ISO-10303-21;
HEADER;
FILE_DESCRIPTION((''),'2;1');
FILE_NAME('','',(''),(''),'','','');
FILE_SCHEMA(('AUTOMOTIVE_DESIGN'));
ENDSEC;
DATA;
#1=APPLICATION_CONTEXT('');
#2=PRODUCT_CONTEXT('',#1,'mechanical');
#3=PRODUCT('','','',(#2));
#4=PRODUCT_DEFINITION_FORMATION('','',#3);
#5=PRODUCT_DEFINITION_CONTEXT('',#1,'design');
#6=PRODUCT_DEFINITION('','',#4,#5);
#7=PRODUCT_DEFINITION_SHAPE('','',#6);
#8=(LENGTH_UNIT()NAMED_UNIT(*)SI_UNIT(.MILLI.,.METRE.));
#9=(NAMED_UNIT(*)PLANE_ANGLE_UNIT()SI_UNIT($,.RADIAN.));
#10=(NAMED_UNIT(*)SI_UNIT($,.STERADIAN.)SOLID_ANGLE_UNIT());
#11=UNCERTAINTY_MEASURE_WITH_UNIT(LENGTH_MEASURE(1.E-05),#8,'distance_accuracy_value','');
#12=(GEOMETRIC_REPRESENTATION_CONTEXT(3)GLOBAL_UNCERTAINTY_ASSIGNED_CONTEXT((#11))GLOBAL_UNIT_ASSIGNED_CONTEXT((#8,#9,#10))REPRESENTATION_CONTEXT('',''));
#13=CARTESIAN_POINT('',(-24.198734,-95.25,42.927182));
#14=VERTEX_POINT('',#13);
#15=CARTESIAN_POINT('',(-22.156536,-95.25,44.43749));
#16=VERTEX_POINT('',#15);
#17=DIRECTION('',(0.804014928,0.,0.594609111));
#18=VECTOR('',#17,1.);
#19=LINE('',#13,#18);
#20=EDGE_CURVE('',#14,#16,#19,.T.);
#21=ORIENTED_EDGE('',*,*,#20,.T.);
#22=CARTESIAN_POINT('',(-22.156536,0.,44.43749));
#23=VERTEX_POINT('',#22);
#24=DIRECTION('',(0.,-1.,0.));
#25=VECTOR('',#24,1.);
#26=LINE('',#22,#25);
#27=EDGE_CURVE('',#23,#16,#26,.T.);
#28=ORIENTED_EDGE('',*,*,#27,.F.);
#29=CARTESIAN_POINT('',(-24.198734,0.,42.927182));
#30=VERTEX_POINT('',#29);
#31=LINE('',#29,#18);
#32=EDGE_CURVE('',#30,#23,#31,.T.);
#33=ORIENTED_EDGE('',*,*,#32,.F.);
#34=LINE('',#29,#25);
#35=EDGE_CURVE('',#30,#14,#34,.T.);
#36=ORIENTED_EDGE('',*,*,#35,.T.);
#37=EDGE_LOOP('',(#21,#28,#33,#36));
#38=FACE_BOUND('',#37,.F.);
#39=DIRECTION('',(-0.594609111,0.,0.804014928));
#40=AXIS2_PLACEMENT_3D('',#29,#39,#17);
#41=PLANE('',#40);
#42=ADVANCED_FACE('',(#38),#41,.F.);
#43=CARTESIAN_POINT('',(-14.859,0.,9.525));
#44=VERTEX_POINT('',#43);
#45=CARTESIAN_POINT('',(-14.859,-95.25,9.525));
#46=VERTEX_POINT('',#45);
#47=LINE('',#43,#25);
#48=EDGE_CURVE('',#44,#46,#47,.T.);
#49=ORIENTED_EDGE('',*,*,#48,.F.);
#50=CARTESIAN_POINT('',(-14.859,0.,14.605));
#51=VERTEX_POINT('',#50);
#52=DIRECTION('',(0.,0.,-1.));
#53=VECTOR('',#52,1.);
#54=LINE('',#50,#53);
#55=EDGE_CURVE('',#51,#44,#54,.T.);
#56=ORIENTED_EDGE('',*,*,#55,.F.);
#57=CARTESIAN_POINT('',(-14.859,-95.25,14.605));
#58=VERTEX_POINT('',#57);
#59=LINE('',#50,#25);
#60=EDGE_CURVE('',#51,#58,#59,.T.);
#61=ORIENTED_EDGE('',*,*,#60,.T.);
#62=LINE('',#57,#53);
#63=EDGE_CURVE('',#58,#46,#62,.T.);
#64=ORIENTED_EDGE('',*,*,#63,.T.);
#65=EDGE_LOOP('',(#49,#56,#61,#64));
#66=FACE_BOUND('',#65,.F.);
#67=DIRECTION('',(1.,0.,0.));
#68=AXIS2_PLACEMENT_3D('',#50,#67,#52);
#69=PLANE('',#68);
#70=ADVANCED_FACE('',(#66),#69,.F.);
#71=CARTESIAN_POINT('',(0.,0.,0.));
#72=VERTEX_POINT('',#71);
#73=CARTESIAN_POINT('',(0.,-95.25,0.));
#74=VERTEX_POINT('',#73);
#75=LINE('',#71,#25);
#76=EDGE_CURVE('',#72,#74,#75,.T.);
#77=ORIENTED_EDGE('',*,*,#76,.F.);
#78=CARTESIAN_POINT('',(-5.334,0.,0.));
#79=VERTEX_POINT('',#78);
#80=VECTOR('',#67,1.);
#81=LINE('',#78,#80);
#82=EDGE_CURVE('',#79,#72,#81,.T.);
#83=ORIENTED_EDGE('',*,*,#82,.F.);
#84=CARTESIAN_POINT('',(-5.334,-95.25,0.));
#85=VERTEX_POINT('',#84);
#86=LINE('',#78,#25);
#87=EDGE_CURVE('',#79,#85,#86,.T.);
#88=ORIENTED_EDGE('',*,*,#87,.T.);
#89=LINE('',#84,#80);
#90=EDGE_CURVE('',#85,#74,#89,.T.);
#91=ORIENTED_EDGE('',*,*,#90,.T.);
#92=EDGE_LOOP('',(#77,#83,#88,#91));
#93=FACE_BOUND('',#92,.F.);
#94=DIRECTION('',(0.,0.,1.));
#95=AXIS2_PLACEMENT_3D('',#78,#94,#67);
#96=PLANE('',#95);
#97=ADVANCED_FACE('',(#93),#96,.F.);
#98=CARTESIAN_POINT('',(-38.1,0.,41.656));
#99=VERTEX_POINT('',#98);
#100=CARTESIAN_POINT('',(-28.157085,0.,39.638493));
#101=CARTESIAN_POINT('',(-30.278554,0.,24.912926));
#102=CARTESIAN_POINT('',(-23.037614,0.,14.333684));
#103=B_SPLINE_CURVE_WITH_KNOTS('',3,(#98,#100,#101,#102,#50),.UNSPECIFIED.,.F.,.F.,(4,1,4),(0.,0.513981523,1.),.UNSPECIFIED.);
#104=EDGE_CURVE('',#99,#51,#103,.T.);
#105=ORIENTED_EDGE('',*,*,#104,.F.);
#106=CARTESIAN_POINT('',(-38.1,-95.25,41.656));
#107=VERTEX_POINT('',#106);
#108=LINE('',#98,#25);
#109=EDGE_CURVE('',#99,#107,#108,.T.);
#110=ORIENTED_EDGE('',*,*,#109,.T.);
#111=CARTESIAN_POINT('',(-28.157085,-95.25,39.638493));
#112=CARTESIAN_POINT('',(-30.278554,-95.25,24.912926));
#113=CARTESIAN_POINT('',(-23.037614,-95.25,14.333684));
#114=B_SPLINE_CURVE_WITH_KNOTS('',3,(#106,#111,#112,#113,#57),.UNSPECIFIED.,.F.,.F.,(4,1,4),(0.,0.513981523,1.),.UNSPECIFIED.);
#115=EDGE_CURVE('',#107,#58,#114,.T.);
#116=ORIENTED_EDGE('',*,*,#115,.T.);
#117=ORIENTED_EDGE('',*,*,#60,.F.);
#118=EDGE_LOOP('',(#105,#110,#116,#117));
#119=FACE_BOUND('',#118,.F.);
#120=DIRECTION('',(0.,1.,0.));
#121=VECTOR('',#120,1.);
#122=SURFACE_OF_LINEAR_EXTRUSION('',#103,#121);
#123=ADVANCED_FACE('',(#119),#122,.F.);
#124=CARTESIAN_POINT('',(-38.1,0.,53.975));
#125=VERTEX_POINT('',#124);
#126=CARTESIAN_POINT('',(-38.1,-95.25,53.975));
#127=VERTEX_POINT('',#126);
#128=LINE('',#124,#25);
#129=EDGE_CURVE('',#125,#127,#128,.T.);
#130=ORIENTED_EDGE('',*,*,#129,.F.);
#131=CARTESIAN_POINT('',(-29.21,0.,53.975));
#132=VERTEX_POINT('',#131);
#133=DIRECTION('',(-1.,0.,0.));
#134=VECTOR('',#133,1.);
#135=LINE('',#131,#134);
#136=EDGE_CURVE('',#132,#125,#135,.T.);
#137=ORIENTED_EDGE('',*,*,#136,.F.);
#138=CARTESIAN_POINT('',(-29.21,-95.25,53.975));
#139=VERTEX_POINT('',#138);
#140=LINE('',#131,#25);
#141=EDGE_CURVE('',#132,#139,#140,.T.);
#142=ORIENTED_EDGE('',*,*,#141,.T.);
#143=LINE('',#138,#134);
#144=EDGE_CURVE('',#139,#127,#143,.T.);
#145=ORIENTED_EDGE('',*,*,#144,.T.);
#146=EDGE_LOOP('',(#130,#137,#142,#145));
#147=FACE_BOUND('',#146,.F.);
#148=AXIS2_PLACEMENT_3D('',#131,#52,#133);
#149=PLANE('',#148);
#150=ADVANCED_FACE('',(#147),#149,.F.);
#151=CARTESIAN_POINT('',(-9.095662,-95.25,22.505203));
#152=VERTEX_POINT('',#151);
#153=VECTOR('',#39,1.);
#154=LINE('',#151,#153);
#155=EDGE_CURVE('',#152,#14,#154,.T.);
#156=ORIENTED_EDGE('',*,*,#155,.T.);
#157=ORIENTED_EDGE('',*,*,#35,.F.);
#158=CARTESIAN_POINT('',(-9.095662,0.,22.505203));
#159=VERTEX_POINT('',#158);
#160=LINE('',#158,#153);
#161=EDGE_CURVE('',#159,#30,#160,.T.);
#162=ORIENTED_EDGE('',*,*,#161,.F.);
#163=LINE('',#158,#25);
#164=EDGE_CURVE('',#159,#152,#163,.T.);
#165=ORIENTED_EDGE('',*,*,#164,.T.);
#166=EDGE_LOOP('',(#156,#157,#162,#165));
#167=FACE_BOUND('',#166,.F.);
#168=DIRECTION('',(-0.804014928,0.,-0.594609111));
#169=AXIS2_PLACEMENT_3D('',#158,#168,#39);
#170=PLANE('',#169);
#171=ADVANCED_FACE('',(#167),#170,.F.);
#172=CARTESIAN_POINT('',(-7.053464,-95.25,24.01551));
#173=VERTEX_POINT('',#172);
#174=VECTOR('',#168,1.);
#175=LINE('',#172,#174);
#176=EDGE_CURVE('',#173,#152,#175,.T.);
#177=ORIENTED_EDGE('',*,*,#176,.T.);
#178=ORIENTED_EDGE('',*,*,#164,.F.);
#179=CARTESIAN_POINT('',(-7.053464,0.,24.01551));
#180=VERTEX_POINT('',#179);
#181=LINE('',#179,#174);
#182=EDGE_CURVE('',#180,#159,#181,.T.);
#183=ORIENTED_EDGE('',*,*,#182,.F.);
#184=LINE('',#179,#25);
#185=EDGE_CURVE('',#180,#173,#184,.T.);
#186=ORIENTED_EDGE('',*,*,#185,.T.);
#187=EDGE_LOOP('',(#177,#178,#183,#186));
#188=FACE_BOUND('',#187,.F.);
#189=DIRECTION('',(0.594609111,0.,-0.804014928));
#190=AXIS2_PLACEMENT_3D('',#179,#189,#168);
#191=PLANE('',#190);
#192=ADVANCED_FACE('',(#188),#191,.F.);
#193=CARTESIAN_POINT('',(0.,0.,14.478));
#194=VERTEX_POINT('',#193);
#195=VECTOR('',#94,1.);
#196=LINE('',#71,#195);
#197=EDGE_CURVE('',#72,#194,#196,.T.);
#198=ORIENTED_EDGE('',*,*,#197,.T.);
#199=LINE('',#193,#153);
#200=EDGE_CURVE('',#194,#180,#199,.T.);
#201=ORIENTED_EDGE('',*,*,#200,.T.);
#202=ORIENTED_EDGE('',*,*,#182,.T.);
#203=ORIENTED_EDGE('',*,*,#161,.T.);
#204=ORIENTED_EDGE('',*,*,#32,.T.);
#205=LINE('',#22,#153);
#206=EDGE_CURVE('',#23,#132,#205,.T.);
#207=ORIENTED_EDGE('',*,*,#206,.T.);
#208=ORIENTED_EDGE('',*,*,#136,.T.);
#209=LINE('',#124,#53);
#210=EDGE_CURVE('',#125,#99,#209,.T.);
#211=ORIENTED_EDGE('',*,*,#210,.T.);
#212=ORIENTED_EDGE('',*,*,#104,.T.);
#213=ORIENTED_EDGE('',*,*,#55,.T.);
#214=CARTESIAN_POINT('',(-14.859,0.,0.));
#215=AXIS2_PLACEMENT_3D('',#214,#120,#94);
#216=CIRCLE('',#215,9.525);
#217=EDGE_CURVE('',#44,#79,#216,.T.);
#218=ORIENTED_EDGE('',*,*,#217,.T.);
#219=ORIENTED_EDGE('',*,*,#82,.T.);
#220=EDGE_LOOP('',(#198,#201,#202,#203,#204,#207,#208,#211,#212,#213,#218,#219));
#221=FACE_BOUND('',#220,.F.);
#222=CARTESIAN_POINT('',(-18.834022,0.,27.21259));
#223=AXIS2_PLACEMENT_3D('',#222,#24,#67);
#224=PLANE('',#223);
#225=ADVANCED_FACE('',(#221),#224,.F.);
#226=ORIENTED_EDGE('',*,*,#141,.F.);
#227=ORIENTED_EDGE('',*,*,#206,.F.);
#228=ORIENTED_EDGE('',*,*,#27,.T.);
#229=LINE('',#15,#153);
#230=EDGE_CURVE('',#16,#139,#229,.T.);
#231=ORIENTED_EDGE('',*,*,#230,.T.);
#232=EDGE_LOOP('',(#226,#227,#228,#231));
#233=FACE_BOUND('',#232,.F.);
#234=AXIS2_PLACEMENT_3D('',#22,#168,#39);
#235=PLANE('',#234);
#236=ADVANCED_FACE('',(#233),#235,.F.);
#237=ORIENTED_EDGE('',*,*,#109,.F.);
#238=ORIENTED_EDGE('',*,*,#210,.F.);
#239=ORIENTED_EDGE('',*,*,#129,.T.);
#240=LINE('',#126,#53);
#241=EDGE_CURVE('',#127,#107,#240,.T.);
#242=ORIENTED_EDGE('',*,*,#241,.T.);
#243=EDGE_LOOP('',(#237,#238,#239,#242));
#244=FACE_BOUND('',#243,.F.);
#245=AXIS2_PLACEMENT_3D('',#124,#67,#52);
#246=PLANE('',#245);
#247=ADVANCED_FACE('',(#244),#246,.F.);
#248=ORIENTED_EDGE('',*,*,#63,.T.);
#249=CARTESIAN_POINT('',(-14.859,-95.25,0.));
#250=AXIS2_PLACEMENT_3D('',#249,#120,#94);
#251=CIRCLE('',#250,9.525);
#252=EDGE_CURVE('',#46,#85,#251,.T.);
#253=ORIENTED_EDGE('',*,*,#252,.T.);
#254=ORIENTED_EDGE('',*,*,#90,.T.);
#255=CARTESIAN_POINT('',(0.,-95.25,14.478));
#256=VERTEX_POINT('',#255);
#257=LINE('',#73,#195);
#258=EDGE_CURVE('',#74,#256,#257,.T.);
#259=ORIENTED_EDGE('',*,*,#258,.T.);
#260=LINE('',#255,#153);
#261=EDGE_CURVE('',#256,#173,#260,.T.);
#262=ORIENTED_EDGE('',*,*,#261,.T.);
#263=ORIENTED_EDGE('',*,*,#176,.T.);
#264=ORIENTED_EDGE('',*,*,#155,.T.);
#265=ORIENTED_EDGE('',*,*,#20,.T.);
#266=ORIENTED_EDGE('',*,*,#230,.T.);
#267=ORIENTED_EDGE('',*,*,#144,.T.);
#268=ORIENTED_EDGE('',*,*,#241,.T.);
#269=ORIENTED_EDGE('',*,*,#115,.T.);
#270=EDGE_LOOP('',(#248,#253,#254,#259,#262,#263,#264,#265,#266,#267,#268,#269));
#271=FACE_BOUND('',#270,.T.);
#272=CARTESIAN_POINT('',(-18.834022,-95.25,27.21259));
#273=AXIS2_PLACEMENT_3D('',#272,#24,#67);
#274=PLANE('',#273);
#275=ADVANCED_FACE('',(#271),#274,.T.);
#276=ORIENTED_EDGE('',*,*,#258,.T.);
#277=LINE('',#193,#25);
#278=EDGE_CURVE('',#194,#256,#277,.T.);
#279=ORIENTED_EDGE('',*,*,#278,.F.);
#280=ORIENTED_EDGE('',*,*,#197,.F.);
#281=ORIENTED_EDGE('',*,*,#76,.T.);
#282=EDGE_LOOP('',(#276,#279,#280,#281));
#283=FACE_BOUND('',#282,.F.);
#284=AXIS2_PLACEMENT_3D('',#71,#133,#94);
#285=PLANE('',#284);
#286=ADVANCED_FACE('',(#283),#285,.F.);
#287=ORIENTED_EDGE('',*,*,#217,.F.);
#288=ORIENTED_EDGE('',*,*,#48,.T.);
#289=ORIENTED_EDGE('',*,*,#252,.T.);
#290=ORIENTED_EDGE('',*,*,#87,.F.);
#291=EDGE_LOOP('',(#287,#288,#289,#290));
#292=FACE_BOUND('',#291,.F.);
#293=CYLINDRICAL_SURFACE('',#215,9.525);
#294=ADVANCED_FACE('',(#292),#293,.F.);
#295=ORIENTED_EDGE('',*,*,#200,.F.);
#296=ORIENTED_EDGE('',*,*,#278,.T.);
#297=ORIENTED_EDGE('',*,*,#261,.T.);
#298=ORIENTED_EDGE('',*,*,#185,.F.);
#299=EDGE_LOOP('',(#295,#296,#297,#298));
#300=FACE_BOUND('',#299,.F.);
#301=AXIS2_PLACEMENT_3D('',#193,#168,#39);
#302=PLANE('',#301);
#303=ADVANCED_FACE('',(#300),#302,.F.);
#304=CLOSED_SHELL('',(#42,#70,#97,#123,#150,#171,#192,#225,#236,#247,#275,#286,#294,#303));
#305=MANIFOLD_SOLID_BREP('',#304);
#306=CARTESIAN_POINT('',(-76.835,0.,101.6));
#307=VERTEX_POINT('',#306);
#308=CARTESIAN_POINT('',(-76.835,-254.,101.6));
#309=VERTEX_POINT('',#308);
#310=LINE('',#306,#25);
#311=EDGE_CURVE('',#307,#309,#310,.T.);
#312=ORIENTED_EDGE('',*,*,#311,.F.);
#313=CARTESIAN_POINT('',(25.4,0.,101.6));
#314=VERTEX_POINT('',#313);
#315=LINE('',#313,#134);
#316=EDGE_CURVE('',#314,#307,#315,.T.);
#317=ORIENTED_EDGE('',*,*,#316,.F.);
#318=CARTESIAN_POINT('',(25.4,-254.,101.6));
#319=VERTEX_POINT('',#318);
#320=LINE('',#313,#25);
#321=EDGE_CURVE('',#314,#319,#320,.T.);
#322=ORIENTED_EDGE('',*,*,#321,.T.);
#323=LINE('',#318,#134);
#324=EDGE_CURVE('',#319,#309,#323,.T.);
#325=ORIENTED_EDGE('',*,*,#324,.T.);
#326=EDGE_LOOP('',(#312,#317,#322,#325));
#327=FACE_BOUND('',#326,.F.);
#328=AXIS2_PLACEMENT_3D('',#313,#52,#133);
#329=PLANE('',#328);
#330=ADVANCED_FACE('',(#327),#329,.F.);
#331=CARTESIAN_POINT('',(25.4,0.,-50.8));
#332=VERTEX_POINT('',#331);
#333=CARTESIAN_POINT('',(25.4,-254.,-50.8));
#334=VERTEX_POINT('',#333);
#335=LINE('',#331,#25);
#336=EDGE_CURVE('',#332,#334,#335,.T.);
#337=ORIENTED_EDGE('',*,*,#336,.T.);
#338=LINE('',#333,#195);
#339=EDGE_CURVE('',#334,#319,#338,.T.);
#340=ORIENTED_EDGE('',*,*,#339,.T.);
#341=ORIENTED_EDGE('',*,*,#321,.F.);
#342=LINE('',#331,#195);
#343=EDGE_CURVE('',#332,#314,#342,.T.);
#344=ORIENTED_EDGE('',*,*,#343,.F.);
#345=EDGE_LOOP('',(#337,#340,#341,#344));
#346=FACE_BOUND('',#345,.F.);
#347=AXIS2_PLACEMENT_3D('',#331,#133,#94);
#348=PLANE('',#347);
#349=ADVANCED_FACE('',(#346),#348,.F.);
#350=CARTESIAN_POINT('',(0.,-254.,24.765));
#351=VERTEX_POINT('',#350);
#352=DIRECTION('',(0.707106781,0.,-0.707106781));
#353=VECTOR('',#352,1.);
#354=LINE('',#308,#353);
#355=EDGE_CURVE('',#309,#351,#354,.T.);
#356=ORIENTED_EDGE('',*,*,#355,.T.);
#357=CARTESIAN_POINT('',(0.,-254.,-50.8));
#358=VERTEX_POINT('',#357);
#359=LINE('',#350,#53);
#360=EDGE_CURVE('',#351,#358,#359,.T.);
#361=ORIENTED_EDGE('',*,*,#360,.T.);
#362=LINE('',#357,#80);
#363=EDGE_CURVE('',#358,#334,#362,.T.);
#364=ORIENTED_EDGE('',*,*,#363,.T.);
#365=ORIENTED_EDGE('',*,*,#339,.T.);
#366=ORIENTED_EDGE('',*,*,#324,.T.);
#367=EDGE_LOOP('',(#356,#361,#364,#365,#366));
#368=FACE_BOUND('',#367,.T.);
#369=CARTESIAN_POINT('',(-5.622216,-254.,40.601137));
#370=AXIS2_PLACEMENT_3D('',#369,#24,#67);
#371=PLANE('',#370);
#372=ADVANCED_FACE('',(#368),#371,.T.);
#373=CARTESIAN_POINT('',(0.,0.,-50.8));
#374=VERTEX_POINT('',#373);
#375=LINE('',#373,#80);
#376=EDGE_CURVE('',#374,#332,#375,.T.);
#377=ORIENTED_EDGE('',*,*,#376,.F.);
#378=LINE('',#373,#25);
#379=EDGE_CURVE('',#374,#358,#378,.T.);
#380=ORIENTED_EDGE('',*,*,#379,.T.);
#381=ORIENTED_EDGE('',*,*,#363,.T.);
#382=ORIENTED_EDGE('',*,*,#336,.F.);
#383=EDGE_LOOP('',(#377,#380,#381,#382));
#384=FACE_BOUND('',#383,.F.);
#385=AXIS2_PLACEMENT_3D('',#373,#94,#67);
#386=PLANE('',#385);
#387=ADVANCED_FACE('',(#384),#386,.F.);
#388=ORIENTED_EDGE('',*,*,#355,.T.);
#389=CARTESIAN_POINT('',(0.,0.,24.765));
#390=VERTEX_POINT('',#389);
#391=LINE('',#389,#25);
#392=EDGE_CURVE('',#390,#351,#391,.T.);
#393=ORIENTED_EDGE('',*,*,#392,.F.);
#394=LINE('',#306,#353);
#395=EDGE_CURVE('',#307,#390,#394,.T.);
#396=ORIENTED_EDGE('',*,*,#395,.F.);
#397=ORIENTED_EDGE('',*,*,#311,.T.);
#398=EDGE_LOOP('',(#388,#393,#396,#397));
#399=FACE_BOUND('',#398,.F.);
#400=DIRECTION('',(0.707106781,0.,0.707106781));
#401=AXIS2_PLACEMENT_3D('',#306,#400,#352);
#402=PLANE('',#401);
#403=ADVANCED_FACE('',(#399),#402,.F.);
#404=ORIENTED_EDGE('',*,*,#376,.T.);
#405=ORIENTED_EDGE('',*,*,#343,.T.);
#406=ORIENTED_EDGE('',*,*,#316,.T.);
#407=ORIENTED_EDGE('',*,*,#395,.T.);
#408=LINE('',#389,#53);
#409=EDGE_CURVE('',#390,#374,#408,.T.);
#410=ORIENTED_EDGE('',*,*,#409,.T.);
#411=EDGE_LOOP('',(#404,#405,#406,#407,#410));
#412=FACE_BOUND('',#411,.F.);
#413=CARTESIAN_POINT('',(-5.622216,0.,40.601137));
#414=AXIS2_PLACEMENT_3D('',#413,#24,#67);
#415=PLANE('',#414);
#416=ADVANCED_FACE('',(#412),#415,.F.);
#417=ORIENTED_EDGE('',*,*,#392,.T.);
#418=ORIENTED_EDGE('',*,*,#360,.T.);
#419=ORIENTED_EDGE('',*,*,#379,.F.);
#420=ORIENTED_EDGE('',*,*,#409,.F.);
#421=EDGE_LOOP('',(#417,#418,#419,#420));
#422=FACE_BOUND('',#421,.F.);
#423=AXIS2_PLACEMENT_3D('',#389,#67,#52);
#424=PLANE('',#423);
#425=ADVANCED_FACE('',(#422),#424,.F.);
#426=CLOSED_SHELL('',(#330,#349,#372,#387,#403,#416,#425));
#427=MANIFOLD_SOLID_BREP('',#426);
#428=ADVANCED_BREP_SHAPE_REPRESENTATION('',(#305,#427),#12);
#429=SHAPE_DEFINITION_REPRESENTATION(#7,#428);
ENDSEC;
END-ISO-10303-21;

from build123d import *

# Parameters (mm, degrees)
F1_DEPTH = 95.25
F3_DEPTH = 254


with BuildPart() as f1:
    # F0 (on Front) → F1 (new body)
    with BuildSketch(Plane.XZ):
        with BuildLine():
            ThreePointArc((-14.859, 9.525), (-8.1238079092, 6.7351920908), (-5.334, 0))
            Line((-5.334, 0), (0, 0))
            Line((0, 0), (0, 14.478))
            Line((0, 14.478), (-7.0534642899, 24.0155104094))
            Line((-7.0534642899, 24.0155104094), (-9.095662208, 22.5052032674))
            Line((-9.095662208, 22.5052032674), (-24.1987336282, 42.9271824486))
            Line((-24.1987336282, 42.9271824486), (-22.1565357101, 44.4374895906))
            Line((-22.1565357101, 44.4374895906), (-29.21, 53.975))
            Line((-29.21, 53.975), (-38.1, 53.975))
            Line((-38.1, 53.975), (-38.1, 41.656))
            add(Edge.make_bspline(
                [(-38.1, 41.656), (-28.1570851803, 39.6384932101), (-30.2785540843, 24.9129260063), (-23.0376143008, 14.3336839974), (-14.859, 14.605)],
                knots=[0, 0, 0, 0, 0.513981523, 1, 1, 1, 1], degree=3))
            Line((-14.859, 14.605), (-14.859, 9.525))
        make_face()
    extrude(amount=F1_DEPTH)


with BuildPart() as f3:
    # F2 (on Front) → F3 (new body)
    with BuildSketch(Plane.XZ):
        Polygon((0, 24.765), (0, -50.8), (25.4, -50.8), (25.4, 101.6), (-76.835, 101.6), align=None)
    extrude(amount=F3_DEPTH)


with BuildPart() as f5_1:
    # F5: copy of F1
    add(f1.part)


with BuildPart() as f6_1:
    # F6: copy of F1
    add(f1.part)


solid = Compound([f1.part, f3.part])
